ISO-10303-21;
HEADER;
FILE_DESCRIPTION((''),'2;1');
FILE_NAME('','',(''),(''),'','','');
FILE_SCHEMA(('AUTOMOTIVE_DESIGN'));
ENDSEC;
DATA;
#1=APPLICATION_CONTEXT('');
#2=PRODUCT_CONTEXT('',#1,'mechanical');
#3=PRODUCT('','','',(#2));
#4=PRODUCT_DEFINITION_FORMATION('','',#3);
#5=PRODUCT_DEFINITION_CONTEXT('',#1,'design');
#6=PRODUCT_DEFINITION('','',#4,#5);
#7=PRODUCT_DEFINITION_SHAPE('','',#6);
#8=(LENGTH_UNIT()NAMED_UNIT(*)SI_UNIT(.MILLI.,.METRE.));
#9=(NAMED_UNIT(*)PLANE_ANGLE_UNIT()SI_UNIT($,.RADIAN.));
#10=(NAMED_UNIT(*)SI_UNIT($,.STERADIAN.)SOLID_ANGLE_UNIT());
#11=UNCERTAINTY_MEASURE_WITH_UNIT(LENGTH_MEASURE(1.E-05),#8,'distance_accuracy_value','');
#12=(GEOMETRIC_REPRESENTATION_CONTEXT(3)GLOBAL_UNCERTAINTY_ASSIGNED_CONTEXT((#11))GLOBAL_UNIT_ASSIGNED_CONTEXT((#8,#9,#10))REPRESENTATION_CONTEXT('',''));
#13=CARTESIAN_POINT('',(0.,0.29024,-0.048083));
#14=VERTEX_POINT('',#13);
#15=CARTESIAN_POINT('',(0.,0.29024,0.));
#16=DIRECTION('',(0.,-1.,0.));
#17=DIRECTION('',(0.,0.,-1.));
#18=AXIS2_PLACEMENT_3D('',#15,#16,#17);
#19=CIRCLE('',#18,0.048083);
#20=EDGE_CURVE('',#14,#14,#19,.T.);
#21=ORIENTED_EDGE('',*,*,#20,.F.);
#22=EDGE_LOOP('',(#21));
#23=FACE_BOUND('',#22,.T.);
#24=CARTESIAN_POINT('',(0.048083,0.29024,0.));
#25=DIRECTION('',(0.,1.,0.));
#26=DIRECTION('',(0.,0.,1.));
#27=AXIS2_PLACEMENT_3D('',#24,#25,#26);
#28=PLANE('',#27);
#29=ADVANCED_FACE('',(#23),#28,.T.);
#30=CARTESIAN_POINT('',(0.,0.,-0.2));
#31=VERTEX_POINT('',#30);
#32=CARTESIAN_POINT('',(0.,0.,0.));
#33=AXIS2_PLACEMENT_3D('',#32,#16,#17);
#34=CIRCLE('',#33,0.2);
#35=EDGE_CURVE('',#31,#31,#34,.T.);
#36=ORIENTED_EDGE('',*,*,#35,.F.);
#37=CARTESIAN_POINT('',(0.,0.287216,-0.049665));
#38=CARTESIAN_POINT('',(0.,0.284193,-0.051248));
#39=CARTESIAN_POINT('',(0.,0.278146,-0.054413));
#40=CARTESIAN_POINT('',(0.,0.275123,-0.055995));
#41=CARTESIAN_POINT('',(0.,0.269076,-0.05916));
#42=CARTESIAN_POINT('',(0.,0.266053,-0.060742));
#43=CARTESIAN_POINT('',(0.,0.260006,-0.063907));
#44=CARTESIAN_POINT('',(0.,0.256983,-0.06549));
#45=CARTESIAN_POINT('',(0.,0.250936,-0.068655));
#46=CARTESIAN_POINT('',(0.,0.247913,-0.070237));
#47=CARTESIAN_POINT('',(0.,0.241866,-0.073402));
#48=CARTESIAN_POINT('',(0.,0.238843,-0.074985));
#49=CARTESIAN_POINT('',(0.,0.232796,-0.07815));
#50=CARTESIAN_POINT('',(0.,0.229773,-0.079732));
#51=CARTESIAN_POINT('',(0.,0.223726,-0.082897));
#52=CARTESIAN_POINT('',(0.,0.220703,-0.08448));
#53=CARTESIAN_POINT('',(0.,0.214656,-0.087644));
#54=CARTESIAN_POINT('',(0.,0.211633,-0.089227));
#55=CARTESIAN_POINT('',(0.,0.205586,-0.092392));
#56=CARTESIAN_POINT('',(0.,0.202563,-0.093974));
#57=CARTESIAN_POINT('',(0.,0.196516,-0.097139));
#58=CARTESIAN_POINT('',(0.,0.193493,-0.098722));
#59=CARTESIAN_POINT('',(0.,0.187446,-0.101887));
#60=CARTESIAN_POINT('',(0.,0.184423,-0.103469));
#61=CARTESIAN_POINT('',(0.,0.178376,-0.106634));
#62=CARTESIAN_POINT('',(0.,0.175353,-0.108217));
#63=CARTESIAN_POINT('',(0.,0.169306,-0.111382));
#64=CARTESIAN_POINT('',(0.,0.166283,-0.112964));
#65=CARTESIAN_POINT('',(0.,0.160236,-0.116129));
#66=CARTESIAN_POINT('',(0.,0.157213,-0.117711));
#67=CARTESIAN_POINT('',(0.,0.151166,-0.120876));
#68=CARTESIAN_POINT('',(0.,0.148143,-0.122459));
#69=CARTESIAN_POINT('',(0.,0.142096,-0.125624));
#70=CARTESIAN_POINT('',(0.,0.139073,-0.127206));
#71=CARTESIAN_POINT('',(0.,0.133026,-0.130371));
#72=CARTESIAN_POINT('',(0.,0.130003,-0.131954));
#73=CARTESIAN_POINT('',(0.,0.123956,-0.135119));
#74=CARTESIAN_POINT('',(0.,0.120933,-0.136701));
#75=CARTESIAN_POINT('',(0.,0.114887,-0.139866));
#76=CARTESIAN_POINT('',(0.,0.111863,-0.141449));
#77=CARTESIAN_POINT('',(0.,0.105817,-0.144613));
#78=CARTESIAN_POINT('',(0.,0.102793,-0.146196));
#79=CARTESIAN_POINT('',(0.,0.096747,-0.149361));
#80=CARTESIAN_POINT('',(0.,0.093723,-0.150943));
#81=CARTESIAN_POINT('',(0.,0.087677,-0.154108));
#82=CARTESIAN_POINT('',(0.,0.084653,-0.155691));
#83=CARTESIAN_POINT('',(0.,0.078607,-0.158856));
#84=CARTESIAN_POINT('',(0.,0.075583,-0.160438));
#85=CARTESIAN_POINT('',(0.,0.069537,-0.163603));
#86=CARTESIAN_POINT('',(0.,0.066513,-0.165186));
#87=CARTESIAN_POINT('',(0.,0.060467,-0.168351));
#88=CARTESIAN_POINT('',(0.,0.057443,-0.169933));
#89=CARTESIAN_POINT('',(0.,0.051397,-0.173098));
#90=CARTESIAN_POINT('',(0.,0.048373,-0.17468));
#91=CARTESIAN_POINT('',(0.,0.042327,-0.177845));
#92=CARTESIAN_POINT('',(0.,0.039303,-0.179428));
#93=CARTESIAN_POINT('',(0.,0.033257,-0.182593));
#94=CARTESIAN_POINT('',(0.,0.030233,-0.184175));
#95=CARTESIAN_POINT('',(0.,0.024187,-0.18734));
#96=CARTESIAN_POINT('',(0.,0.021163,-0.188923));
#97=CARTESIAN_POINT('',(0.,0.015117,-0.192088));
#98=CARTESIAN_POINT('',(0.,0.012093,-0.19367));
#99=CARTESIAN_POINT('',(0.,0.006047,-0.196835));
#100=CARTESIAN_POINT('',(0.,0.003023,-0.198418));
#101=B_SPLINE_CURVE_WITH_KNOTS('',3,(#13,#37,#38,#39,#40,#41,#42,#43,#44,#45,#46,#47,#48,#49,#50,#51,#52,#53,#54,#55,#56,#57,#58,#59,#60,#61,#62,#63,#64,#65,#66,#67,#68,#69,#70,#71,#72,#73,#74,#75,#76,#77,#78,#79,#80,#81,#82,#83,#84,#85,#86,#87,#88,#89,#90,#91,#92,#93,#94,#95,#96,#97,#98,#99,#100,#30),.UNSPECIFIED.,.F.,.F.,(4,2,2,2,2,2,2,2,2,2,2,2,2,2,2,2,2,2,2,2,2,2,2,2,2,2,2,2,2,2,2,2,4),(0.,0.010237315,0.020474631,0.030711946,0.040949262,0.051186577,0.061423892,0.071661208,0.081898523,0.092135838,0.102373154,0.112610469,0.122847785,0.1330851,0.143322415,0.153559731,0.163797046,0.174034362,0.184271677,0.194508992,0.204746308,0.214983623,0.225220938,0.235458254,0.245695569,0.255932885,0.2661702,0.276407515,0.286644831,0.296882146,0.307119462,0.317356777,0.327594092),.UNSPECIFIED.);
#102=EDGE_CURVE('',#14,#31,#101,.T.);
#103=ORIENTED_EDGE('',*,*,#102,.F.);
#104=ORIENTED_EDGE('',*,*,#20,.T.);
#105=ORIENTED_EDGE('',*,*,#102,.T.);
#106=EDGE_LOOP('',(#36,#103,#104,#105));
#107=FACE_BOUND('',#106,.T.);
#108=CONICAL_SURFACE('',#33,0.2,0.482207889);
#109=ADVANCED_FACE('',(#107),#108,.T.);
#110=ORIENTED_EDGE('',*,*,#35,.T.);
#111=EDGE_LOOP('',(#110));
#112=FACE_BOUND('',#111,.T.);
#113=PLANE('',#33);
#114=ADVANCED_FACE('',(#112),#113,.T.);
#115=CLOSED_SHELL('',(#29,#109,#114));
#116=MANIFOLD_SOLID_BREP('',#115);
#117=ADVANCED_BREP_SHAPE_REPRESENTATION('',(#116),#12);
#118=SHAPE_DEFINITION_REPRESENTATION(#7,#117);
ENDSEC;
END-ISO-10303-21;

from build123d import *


with BuildPart() as part:
    # 草图1 → 旋转1 (revolve)
    with BuildSketch(Plane.XY, mode=Mode.PRIVATE) as revolve_1_sk:
        Polygon((0, 0), (0.2, 0), (0.048082683, 0.290239588), (0, 0.290239588), align=None)
    revolve(revolve_1_sk.sketch.rotate(Axis((0, 0, 0), (0, 1, 0)), 90), axis=Axis((0, 0, 0), (0, 1, 0)))


solid = part.part
